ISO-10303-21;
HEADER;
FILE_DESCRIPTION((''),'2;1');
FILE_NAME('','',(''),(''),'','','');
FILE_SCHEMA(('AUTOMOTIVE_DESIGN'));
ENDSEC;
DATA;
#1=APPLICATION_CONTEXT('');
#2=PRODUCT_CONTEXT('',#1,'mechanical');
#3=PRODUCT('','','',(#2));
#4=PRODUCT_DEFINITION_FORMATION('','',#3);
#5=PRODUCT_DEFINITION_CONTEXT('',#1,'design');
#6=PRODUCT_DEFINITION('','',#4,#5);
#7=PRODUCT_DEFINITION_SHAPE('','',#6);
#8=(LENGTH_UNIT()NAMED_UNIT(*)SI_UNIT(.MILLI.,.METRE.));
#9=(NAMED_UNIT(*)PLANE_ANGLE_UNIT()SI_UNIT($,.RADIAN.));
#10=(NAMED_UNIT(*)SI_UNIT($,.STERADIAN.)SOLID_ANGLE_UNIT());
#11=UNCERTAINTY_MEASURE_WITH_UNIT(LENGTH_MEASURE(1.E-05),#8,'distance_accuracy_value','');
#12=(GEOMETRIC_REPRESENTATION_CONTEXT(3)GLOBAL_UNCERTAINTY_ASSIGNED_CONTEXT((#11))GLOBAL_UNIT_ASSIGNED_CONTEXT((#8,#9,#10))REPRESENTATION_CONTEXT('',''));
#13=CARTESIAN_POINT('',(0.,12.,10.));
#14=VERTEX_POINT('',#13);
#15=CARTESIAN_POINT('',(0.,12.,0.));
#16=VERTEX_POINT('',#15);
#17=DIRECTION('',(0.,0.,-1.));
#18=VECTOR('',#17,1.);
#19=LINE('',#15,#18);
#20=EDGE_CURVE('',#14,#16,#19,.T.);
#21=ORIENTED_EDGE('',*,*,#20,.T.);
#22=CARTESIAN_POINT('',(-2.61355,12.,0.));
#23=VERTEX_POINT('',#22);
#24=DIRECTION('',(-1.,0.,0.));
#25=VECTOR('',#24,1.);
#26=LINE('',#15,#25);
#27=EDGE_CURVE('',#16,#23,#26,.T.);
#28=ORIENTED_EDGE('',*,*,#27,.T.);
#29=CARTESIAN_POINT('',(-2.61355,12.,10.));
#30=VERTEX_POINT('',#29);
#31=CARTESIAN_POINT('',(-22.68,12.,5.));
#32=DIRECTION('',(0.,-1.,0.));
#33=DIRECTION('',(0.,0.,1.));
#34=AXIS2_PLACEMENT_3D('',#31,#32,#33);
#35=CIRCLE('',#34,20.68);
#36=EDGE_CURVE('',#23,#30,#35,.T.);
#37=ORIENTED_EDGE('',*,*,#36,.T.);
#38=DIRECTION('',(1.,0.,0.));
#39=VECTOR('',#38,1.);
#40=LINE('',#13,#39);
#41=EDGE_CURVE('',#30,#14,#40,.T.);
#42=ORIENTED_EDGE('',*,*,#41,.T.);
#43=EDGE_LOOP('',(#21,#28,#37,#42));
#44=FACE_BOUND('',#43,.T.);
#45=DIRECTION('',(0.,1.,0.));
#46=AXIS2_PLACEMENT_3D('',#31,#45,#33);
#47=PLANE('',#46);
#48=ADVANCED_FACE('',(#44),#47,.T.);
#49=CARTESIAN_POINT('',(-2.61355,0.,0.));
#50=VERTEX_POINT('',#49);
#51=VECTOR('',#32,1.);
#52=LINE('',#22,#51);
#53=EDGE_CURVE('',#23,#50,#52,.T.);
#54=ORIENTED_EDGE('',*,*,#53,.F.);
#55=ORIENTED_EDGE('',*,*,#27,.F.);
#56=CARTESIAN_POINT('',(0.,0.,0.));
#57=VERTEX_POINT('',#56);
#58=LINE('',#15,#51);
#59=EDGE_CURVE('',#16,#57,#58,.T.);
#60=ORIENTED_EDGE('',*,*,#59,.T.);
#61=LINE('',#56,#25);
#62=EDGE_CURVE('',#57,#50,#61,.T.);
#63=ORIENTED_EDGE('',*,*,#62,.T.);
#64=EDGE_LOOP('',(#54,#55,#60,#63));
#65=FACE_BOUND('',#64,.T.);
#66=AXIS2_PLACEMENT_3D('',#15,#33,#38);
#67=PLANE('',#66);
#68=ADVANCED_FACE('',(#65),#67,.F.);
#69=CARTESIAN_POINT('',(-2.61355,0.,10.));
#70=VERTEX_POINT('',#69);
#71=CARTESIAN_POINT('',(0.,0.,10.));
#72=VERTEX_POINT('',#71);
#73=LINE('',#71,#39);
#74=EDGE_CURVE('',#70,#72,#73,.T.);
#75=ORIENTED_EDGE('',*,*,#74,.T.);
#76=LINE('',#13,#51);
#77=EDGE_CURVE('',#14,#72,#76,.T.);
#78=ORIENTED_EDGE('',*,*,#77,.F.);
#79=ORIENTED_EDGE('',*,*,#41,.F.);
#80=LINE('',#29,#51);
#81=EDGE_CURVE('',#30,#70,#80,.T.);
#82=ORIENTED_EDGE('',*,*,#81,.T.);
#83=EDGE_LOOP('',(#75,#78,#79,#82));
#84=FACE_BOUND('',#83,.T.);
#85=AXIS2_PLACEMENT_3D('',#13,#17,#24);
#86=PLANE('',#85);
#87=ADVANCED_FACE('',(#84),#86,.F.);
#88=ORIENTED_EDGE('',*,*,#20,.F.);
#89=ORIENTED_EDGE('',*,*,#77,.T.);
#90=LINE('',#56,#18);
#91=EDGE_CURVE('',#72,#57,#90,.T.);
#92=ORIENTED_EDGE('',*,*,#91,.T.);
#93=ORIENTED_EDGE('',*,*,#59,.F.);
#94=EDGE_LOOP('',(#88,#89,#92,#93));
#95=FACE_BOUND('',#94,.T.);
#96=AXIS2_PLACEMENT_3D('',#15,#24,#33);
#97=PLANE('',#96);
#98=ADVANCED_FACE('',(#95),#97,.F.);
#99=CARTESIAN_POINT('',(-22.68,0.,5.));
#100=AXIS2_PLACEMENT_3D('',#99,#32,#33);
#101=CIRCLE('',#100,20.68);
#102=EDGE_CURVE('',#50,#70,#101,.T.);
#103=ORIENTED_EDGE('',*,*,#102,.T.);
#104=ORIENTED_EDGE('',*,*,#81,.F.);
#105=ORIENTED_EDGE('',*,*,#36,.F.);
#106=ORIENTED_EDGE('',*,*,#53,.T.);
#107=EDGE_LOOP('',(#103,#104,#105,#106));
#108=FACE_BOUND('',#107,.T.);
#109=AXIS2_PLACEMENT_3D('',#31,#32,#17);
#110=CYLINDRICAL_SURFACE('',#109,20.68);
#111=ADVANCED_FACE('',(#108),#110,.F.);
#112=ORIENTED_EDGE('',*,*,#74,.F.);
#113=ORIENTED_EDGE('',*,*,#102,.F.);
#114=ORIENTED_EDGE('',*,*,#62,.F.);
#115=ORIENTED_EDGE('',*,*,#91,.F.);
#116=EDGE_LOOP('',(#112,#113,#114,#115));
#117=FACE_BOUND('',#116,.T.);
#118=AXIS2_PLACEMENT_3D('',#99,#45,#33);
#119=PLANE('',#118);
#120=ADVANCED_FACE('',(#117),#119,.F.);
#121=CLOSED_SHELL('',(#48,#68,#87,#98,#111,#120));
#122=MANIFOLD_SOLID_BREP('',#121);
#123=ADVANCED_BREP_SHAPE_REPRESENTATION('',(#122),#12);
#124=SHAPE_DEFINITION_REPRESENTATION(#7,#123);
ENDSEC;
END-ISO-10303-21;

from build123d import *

# Parameters (mm, degrees)
EXTRUDE_1_DEPTH = 12


with BuildPart() as part:
    # 草图1 → 凸台-拉伸1 (new body)
    with BuildSketch(Plane(origin=(0, 0, 0), x_dir=(1, 0, 0), z_dir=(0, 1, 0))):
        with BuildLine():
            Line((0, 0), (0, -10))
            Line((0, -10), (-2.613550389, -10))
            ThreePointArc((-2.613550389, -10), (-2, -5), (-2.613550389, 0))
            Line((-2.613550389, 0), (0, 0))
        make_face()
    extrude(amount=EXTRUDE_1_DEPTH)


solid = part.part
